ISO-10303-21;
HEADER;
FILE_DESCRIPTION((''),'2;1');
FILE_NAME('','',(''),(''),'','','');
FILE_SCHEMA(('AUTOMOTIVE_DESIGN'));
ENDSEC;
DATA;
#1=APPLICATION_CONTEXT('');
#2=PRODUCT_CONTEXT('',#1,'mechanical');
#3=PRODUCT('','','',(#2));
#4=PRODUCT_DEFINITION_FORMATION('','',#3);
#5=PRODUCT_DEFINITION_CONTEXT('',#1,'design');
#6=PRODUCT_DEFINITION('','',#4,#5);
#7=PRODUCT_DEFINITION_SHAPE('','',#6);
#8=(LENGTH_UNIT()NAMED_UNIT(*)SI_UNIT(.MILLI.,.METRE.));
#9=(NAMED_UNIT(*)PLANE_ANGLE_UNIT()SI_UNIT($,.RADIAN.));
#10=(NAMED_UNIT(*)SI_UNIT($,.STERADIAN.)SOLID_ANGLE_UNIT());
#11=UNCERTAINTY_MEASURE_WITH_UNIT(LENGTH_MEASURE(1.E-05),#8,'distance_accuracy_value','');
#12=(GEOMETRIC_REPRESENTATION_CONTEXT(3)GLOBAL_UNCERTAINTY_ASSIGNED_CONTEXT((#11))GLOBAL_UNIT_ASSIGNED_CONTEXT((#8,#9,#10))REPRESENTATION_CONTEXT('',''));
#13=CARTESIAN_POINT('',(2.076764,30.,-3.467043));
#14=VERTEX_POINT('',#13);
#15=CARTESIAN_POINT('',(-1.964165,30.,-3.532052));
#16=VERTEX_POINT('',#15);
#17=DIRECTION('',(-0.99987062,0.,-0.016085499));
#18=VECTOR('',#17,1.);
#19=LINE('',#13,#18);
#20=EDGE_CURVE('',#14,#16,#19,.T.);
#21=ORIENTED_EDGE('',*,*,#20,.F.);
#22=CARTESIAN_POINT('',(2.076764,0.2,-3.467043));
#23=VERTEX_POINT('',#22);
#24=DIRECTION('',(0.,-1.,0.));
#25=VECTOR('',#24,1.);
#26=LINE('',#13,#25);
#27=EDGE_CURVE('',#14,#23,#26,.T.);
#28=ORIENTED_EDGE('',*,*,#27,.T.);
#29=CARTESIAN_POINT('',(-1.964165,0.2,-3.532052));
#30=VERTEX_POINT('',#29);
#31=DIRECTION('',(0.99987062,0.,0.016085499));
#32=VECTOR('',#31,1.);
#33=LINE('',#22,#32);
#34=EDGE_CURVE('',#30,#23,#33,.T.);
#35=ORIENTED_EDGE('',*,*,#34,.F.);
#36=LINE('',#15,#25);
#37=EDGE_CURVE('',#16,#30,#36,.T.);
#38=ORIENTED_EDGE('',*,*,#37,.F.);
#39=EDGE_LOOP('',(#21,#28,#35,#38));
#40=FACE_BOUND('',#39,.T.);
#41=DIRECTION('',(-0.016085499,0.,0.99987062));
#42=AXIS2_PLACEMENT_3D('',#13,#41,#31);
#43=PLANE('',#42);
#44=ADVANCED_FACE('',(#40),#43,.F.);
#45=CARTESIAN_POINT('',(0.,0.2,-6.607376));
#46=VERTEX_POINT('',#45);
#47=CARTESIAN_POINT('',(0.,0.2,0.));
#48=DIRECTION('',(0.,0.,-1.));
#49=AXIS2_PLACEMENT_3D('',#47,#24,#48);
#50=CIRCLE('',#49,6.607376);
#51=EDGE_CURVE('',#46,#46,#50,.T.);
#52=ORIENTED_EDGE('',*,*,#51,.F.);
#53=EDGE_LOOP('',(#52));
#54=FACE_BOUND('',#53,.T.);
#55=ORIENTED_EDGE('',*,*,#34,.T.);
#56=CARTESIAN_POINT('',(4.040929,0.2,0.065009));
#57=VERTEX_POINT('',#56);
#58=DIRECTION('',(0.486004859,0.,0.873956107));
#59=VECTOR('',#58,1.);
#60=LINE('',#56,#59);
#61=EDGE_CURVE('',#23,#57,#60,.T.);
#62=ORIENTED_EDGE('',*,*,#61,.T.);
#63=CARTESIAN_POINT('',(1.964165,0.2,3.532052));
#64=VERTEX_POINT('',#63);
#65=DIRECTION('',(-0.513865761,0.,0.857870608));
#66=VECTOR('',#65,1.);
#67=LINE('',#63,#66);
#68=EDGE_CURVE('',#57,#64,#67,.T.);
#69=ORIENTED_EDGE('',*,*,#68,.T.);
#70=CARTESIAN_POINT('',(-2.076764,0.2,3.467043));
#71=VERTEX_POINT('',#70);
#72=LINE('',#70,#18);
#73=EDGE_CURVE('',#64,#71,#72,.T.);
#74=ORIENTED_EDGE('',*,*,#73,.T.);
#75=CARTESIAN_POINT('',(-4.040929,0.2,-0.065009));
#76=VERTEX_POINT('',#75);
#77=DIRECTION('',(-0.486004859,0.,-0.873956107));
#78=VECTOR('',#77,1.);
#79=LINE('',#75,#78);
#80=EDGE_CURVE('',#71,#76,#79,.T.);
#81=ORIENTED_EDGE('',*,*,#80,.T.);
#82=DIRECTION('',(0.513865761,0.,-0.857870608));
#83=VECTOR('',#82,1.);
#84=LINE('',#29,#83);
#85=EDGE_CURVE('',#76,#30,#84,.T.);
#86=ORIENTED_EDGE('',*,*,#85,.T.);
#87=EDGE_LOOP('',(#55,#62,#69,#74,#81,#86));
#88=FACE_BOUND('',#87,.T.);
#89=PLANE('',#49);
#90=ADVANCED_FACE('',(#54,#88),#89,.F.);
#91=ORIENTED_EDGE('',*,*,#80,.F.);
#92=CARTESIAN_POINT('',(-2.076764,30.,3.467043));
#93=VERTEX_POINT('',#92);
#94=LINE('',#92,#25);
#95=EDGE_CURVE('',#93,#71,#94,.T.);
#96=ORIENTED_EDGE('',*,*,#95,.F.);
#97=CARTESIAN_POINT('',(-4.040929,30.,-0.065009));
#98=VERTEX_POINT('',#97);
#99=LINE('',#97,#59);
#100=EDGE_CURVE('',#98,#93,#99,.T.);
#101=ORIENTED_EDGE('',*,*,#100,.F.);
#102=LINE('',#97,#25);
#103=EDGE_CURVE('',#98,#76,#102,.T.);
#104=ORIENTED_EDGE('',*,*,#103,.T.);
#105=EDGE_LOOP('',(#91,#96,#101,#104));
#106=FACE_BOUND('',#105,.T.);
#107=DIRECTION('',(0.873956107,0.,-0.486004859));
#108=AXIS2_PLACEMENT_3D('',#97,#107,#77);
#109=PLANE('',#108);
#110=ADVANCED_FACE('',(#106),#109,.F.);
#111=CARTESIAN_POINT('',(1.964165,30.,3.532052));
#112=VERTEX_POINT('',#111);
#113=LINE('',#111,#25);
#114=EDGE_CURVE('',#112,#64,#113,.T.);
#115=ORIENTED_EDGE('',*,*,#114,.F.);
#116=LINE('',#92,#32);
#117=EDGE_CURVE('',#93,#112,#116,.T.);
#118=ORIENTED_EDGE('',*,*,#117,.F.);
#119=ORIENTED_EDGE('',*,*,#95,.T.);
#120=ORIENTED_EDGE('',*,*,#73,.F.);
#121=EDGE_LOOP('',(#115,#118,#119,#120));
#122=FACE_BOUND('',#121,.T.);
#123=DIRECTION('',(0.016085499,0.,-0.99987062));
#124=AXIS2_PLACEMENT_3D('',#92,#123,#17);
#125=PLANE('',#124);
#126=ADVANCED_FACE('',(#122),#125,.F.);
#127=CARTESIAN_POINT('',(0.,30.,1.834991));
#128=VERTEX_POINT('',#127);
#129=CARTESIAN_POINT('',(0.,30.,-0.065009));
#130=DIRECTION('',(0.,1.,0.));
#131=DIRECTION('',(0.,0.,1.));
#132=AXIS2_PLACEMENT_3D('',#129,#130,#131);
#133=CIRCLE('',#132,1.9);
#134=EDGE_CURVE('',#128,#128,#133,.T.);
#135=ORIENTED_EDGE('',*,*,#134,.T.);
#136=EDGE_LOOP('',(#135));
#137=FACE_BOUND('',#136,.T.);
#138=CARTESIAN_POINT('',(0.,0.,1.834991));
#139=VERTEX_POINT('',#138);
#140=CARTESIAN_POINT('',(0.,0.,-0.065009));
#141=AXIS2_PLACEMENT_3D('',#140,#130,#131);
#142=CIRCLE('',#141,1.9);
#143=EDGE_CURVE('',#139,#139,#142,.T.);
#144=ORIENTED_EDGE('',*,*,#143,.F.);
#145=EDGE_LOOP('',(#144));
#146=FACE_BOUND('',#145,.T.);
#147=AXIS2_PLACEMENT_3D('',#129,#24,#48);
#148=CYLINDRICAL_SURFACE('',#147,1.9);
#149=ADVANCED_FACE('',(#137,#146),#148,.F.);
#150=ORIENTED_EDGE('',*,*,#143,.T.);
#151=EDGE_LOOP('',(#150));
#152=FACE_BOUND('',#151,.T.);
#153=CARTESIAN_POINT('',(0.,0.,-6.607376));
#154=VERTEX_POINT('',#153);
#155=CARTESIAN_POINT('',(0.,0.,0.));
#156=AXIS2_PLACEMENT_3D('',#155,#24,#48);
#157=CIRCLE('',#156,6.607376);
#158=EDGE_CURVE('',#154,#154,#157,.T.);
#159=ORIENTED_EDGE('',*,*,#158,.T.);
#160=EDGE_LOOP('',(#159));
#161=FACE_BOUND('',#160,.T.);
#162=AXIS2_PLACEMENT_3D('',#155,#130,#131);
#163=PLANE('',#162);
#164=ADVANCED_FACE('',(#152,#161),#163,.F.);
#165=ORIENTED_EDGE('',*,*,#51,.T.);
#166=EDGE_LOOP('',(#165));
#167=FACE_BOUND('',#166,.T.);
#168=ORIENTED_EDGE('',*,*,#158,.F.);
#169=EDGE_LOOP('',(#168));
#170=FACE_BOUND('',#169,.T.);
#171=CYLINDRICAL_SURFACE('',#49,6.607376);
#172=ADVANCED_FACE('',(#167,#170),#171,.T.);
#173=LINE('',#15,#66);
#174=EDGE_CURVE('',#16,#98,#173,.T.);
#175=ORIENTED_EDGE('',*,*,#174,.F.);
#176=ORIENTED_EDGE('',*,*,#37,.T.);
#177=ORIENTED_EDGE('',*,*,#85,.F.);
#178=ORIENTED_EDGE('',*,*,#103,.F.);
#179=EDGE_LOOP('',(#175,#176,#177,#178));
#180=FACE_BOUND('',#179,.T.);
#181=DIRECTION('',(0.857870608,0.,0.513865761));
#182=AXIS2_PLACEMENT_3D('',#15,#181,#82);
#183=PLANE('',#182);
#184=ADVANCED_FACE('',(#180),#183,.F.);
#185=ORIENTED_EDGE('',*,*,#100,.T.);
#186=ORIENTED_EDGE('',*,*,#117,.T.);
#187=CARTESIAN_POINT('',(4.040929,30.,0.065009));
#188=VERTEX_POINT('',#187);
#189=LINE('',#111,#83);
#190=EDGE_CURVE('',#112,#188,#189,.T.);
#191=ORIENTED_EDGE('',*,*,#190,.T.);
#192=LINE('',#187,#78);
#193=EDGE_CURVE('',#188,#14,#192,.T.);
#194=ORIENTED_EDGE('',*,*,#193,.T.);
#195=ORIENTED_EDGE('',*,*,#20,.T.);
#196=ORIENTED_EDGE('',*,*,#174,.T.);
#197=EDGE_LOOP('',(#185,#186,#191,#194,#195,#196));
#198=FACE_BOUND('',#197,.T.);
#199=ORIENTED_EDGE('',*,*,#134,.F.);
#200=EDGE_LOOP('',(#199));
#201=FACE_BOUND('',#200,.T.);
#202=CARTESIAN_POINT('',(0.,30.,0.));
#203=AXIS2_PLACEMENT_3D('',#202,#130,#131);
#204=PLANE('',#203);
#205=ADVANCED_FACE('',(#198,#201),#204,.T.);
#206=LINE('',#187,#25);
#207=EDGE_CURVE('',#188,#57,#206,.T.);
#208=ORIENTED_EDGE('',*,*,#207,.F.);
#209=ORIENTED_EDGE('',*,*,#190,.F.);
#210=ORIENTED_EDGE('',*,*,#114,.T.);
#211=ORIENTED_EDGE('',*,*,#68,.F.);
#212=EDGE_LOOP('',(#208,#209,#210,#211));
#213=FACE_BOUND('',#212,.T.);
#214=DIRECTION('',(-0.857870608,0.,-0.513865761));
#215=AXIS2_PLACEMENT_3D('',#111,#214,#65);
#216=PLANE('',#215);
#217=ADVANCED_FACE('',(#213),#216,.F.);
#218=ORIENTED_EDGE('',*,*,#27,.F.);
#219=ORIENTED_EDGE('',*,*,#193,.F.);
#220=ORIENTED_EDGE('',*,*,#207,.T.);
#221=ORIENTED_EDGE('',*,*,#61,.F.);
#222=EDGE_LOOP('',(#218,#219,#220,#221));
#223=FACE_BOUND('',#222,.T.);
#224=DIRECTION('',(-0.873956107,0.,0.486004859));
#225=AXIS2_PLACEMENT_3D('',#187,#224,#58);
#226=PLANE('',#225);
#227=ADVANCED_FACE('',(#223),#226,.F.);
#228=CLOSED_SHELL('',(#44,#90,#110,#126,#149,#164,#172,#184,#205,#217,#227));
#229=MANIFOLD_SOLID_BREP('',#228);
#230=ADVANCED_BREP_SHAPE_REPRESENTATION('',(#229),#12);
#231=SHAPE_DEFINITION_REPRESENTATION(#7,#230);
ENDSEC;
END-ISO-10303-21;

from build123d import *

# Parameters (mm, degrees)
SKETCH1_R           = 1.9
BOSS_EXTRUDE1_DEPTH = 30
SKETCH3_R           = 6.607376419
SKETCH3_R_2         = 1.965008769
BOSS_EXTRUDE2_DEPTH = 0.2


with BuildPart() as part:
    # Sketch1 → Boss-Extrude1 (new body)
    with BuildSketch(Plane(origin=(0, 0, 0), x_dir=(1, 0, 0), z_dir=(0, 1, 0))):
        Polygon((1.964165255, -3.532051555), (4.040929001, -0.065008769), (2.076763746, 3.467042785), (-1.964165255, 3.532051555), (-4.040929001, 0.065008769), (-2.076763746, -3.467042785), align=None)
        with Locations((0, 0.065008769)):
            Circle(SKETCH1_R, mode=Mode.SUBTRACT)
    extrude(amount=BOSS_EXTRUDE1_DEPTH)

    # Sketch3 → Boss-Extrude2 (add)
    with BuildSketch(Plane(origin=(0, 0, 0), x_dir=(-1, 0, 0), z_dir=(0, -1, 0))):
        Circle(SKETCH3_R)
        Circle(SKETCH3_R_2, mode=Mode.SUBTRACT)
    extrude(amount=-BOSS_EXTRUDE2_DEPTH)


solid = part.part
